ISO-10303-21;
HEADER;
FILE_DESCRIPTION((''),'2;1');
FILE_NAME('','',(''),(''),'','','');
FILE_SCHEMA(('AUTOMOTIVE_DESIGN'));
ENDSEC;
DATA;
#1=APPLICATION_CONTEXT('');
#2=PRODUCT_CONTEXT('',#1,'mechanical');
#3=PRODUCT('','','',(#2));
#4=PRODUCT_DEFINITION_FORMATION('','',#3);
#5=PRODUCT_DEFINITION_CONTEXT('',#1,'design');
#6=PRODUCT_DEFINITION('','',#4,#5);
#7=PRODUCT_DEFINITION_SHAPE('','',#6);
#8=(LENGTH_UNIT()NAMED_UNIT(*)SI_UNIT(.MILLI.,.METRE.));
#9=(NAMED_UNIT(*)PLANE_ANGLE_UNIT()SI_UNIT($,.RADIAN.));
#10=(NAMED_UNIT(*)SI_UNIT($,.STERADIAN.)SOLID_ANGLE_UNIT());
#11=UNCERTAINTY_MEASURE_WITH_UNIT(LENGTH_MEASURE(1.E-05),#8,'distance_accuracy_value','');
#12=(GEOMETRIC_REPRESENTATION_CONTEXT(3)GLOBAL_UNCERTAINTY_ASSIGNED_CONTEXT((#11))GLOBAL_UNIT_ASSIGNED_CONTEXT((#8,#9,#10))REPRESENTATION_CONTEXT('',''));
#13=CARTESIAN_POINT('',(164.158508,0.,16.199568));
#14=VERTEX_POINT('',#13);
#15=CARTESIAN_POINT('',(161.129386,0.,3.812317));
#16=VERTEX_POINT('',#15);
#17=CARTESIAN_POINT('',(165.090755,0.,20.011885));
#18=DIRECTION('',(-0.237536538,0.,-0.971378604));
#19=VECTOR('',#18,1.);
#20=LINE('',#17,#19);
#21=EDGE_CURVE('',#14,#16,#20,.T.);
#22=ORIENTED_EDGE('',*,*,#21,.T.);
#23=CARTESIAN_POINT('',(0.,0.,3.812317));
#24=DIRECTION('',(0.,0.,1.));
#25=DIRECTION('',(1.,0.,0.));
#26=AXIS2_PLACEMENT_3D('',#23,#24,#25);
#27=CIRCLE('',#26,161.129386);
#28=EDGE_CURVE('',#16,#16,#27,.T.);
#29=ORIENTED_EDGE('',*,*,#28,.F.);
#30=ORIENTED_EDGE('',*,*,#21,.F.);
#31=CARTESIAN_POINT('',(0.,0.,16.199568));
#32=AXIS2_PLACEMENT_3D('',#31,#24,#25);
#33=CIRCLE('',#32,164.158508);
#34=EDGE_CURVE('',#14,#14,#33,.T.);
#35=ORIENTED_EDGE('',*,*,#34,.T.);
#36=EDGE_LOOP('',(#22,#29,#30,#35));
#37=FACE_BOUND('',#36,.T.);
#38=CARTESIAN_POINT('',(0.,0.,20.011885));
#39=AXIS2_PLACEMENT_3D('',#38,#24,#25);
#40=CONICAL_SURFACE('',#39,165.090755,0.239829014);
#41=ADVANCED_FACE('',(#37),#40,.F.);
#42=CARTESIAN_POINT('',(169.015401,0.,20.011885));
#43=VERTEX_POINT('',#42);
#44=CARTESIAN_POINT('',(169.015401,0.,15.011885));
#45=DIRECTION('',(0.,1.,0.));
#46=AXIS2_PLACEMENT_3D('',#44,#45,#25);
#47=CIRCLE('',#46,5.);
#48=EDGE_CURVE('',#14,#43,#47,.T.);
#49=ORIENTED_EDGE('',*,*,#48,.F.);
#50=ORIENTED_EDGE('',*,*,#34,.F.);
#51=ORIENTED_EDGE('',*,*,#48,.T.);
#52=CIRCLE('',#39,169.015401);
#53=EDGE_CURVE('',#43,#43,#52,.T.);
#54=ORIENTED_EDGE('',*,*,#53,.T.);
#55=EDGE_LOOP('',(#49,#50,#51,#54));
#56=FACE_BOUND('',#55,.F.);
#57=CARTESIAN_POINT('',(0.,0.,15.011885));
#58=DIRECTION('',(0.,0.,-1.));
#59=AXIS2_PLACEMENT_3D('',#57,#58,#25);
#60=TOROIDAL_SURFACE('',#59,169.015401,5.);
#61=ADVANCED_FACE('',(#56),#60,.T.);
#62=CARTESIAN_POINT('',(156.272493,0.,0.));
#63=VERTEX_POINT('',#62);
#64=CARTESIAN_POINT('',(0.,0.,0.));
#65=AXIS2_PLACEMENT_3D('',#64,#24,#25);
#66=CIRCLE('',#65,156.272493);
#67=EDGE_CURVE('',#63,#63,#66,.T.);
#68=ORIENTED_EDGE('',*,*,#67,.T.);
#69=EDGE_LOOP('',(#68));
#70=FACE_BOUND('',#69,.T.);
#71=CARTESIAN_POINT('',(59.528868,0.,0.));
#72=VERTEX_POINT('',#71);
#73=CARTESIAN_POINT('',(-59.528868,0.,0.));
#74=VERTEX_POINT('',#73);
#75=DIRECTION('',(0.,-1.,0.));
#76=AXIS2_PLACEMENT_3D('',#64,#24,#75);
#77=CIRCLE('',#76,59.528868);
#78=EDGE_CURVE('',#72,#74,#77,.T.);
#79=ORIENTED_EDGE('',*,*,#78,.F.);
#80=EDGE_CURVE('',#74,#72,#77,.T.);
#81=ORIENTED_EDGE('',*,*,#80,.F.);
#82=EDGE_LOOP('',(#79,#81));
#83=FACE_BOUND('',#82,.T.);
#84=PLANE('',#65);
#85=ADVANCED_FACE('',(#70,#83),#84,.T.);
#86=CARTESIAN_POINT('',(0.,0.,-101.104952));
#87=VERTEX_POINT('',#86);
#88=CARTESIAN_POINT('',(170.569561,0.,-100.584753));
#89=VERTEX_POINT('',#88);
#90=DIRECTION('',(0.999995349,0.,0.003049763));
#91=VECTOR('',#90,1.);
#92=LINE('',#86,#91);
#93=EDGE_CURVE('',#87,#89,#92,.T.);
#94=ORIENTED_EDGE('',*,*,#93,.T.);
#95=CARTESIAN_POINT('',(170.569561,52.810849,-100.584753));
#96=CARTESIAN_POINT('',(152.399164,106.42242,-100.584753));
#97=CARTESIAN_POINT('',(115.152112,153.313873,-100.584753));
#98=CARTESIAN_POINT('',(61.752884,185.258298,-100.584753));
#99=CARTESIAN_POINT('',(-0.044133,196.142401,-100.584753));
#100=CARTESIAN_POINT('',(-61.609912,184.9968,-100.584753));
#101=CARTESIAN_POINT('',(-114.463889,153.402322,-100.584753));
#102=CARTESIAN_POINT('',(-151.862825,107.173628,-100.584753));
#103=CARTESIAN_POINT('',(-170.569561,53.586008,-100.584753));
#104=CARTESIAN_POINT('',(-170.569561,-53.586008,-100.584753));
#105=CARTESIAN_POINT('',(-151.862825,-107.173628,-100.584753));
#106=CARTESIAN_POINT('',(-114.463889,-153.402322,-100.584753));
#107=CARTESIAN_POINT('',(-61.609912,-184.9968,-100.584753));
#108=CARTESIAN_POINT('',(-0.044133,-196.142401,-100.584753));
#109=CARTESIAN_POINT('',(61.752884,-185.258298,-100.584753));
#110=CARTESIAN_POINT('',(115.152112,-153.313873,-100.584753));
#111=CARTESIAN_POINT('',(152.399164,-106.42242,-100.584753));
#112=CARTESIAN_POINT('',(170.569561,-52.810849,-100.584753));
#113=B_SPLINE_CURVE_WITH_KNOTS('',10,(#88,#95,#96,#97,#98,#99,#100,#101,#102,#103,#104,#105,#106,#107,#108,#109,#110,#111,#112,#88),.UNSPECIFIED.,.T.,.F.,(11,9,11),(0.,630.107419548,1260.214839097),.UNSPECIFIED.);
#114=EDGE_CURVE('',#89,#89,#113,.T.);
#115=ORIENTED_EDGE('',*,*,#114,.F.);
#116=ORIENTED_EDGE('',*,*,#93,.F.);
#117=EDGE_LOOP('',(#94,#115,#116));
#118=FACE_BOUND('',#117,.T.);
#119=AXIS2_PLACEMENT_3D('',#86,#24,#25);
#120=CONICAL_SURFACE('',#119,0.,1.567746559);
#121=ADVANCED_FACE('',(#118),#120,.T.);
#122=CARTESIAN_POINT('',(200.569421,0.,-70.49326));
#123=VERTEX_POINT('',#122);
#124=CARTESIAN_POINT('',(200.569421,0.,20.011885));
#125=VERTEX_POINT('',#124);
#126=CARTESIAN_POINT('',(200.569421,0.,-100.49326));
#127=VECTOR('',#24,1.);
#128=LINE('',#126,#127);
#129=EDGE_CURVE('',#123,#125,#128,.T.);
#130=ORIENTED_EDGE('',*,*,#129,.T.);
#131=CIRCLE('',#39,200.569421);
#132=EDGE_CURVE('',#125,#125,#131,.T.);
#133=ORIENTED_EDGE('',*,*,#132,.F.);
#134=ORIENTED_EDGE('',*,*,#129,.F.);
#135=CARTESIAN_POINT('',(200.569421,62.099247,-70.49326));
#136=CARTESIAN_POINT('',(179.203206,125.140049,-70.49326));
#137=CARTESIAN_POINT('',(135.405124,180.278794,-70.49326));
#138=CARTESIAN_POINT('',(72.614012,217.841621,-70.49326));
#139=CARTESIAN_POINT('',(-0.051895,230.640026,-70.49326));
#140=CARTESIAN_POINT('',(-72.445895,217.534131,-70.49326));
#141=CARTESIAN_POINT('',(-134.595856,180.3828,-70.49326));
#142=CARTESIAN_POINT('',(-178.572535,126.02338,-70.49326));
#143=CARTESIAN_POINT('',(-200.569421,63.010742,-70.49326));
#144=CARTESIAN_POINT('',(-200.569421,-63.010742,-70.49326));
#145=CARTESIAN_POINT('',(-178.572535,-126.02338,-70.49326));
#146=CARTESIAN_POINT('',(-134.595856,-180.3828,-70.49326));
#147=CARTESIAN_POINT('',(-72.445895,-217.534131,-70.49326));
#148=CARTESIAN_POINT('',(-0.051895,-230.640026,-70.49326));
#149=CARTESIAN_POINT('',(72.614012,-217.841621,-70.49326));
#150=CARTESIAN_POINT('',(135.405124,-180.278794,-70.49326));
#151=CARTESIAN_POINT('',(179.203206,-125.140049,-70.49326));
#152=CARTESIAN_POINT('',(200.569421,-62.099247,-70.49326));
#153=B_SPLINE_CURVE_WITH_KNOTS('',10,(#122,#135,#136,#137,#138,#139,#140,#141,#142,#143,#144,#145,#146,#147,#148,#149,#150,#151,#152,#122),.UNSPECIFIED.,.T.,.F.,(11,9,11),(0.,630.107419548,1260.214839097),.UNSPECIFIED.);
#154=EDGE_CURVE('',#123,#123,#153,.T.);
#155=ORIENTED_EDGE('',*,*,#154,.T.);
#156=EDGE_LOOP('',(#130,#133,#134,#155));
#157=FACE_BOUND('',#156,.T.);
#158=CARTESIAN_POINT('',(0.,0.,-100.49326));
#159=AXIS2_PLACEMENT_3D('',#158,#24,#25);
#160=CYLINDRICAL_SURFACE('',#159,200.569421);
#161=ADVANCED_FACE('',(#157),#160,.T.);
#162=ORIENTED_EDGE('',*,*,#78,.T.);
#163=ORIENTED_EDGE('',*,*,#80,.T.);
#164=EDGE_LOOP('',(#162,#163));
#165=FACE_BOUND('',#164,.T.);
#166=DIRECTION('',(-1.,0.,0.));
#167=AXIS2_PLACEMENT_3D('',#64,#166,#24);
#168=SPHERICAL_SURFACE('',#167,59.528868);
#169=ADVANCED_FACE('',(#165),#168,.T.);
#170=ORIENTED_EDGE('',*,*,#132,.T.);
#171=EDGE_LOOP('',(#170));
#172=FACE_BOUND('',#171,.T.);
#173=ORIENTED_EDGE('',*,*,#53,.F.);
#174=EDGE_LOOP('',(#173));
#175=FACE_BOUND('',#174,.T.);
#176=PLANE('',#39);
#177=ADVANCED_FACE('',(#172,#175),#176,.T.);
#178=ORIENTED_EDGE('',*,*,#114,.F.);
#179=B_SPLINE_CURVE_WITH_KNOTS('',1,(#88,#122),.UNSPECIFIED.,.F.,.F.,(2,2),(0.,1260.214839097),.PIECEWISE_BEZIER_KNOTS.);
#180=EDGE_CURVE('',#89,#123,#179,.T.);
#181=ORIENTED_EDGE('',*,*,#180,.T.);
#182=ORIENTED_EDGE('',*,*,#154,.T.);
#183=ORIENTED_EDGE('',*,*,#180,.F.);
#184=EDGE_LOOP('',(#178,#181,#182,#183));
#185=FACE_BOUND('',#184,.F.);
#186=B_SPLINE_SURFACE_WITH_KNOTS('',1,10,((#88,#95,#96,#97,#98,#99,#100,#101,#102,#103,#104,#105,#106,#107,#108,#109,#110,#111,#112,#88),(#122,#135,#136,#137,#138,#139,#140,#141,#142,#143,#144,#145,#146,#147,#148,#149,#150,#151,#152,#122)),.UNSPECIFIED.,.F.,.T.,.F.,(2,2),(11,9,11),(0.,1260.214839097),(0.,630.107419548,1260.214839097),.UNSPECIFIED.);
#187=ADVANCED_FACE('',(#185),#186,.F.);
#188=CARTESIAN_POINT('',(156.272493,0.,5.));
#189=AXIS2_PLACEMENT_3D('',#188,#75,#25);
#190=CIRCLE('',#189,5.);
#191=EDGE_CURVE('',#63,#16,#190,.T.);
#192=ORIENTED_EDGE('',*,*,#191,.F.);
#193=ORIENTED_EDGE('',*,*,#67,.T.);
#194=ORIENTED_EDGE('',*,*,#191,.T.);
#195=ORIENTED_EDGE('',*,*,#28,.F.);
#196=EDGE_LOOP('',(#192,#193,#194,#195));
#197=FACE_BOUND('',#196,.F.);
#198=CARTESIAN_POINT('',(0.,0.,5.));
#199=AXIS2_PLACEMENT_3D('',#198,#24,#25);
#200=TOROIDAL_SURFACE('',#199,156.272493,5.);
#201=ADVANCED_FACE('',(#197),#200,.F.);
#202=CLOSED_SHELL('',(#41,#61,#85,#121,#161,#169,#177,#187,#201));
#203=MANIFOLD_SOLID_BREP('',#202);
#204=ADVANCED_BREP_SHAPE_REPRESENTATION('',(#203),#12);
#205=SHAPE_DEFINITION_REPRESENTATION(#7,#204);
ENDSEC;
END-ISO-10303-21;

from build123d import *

# Parameters (mm, degrees)
F2_SIZE = 30
F5_R    = 5


with BuildPart() as f1:
    # F0 (on Front) → F1 (revolve)
    with BuildSketch(Plane.XZ):
        Polygon((0, 0), (0, -101.104952), (200.569421, -100.49326), (200.569421, 20.011885), (165.090755, 20.011885), (160.197139, 0), align=None)
    revolve(axis=Axis((0, 0, -50.552476), (0, 0, 1)))

    # F2
    f2_edges = [f1.edges().sort_by_distance(p)[0] for p in [
        (-200.569421, 0, -100.49326),
    ]]
    chamfer(f2_edges, length=F2_SIZE)

    # F3 (on Front) → F4 (revolve)
    with BuildSketch(Plane.XZ):
        with BuildLine():
            Line((0, 0), (59.528868, 0))
            ThreePointArc((59.528868, 0), (0, 59.528868), (-59.528868, 0))
            Line((-59.528868, 0), (0, 0))
        make_face()
    revolve(axis=Axis((-29.764434, 0, 0), (-1, 0, 0)))

    # F5
    f5_edges = [f1.edges().sort_by_distance(p)[0] for p in [
        (-165.090755, 0, 20.011885),
        (-160.197139, 0, 0),
    ]]
    fillet(f5_edges, radius=F5_R)


solid = f1.part
